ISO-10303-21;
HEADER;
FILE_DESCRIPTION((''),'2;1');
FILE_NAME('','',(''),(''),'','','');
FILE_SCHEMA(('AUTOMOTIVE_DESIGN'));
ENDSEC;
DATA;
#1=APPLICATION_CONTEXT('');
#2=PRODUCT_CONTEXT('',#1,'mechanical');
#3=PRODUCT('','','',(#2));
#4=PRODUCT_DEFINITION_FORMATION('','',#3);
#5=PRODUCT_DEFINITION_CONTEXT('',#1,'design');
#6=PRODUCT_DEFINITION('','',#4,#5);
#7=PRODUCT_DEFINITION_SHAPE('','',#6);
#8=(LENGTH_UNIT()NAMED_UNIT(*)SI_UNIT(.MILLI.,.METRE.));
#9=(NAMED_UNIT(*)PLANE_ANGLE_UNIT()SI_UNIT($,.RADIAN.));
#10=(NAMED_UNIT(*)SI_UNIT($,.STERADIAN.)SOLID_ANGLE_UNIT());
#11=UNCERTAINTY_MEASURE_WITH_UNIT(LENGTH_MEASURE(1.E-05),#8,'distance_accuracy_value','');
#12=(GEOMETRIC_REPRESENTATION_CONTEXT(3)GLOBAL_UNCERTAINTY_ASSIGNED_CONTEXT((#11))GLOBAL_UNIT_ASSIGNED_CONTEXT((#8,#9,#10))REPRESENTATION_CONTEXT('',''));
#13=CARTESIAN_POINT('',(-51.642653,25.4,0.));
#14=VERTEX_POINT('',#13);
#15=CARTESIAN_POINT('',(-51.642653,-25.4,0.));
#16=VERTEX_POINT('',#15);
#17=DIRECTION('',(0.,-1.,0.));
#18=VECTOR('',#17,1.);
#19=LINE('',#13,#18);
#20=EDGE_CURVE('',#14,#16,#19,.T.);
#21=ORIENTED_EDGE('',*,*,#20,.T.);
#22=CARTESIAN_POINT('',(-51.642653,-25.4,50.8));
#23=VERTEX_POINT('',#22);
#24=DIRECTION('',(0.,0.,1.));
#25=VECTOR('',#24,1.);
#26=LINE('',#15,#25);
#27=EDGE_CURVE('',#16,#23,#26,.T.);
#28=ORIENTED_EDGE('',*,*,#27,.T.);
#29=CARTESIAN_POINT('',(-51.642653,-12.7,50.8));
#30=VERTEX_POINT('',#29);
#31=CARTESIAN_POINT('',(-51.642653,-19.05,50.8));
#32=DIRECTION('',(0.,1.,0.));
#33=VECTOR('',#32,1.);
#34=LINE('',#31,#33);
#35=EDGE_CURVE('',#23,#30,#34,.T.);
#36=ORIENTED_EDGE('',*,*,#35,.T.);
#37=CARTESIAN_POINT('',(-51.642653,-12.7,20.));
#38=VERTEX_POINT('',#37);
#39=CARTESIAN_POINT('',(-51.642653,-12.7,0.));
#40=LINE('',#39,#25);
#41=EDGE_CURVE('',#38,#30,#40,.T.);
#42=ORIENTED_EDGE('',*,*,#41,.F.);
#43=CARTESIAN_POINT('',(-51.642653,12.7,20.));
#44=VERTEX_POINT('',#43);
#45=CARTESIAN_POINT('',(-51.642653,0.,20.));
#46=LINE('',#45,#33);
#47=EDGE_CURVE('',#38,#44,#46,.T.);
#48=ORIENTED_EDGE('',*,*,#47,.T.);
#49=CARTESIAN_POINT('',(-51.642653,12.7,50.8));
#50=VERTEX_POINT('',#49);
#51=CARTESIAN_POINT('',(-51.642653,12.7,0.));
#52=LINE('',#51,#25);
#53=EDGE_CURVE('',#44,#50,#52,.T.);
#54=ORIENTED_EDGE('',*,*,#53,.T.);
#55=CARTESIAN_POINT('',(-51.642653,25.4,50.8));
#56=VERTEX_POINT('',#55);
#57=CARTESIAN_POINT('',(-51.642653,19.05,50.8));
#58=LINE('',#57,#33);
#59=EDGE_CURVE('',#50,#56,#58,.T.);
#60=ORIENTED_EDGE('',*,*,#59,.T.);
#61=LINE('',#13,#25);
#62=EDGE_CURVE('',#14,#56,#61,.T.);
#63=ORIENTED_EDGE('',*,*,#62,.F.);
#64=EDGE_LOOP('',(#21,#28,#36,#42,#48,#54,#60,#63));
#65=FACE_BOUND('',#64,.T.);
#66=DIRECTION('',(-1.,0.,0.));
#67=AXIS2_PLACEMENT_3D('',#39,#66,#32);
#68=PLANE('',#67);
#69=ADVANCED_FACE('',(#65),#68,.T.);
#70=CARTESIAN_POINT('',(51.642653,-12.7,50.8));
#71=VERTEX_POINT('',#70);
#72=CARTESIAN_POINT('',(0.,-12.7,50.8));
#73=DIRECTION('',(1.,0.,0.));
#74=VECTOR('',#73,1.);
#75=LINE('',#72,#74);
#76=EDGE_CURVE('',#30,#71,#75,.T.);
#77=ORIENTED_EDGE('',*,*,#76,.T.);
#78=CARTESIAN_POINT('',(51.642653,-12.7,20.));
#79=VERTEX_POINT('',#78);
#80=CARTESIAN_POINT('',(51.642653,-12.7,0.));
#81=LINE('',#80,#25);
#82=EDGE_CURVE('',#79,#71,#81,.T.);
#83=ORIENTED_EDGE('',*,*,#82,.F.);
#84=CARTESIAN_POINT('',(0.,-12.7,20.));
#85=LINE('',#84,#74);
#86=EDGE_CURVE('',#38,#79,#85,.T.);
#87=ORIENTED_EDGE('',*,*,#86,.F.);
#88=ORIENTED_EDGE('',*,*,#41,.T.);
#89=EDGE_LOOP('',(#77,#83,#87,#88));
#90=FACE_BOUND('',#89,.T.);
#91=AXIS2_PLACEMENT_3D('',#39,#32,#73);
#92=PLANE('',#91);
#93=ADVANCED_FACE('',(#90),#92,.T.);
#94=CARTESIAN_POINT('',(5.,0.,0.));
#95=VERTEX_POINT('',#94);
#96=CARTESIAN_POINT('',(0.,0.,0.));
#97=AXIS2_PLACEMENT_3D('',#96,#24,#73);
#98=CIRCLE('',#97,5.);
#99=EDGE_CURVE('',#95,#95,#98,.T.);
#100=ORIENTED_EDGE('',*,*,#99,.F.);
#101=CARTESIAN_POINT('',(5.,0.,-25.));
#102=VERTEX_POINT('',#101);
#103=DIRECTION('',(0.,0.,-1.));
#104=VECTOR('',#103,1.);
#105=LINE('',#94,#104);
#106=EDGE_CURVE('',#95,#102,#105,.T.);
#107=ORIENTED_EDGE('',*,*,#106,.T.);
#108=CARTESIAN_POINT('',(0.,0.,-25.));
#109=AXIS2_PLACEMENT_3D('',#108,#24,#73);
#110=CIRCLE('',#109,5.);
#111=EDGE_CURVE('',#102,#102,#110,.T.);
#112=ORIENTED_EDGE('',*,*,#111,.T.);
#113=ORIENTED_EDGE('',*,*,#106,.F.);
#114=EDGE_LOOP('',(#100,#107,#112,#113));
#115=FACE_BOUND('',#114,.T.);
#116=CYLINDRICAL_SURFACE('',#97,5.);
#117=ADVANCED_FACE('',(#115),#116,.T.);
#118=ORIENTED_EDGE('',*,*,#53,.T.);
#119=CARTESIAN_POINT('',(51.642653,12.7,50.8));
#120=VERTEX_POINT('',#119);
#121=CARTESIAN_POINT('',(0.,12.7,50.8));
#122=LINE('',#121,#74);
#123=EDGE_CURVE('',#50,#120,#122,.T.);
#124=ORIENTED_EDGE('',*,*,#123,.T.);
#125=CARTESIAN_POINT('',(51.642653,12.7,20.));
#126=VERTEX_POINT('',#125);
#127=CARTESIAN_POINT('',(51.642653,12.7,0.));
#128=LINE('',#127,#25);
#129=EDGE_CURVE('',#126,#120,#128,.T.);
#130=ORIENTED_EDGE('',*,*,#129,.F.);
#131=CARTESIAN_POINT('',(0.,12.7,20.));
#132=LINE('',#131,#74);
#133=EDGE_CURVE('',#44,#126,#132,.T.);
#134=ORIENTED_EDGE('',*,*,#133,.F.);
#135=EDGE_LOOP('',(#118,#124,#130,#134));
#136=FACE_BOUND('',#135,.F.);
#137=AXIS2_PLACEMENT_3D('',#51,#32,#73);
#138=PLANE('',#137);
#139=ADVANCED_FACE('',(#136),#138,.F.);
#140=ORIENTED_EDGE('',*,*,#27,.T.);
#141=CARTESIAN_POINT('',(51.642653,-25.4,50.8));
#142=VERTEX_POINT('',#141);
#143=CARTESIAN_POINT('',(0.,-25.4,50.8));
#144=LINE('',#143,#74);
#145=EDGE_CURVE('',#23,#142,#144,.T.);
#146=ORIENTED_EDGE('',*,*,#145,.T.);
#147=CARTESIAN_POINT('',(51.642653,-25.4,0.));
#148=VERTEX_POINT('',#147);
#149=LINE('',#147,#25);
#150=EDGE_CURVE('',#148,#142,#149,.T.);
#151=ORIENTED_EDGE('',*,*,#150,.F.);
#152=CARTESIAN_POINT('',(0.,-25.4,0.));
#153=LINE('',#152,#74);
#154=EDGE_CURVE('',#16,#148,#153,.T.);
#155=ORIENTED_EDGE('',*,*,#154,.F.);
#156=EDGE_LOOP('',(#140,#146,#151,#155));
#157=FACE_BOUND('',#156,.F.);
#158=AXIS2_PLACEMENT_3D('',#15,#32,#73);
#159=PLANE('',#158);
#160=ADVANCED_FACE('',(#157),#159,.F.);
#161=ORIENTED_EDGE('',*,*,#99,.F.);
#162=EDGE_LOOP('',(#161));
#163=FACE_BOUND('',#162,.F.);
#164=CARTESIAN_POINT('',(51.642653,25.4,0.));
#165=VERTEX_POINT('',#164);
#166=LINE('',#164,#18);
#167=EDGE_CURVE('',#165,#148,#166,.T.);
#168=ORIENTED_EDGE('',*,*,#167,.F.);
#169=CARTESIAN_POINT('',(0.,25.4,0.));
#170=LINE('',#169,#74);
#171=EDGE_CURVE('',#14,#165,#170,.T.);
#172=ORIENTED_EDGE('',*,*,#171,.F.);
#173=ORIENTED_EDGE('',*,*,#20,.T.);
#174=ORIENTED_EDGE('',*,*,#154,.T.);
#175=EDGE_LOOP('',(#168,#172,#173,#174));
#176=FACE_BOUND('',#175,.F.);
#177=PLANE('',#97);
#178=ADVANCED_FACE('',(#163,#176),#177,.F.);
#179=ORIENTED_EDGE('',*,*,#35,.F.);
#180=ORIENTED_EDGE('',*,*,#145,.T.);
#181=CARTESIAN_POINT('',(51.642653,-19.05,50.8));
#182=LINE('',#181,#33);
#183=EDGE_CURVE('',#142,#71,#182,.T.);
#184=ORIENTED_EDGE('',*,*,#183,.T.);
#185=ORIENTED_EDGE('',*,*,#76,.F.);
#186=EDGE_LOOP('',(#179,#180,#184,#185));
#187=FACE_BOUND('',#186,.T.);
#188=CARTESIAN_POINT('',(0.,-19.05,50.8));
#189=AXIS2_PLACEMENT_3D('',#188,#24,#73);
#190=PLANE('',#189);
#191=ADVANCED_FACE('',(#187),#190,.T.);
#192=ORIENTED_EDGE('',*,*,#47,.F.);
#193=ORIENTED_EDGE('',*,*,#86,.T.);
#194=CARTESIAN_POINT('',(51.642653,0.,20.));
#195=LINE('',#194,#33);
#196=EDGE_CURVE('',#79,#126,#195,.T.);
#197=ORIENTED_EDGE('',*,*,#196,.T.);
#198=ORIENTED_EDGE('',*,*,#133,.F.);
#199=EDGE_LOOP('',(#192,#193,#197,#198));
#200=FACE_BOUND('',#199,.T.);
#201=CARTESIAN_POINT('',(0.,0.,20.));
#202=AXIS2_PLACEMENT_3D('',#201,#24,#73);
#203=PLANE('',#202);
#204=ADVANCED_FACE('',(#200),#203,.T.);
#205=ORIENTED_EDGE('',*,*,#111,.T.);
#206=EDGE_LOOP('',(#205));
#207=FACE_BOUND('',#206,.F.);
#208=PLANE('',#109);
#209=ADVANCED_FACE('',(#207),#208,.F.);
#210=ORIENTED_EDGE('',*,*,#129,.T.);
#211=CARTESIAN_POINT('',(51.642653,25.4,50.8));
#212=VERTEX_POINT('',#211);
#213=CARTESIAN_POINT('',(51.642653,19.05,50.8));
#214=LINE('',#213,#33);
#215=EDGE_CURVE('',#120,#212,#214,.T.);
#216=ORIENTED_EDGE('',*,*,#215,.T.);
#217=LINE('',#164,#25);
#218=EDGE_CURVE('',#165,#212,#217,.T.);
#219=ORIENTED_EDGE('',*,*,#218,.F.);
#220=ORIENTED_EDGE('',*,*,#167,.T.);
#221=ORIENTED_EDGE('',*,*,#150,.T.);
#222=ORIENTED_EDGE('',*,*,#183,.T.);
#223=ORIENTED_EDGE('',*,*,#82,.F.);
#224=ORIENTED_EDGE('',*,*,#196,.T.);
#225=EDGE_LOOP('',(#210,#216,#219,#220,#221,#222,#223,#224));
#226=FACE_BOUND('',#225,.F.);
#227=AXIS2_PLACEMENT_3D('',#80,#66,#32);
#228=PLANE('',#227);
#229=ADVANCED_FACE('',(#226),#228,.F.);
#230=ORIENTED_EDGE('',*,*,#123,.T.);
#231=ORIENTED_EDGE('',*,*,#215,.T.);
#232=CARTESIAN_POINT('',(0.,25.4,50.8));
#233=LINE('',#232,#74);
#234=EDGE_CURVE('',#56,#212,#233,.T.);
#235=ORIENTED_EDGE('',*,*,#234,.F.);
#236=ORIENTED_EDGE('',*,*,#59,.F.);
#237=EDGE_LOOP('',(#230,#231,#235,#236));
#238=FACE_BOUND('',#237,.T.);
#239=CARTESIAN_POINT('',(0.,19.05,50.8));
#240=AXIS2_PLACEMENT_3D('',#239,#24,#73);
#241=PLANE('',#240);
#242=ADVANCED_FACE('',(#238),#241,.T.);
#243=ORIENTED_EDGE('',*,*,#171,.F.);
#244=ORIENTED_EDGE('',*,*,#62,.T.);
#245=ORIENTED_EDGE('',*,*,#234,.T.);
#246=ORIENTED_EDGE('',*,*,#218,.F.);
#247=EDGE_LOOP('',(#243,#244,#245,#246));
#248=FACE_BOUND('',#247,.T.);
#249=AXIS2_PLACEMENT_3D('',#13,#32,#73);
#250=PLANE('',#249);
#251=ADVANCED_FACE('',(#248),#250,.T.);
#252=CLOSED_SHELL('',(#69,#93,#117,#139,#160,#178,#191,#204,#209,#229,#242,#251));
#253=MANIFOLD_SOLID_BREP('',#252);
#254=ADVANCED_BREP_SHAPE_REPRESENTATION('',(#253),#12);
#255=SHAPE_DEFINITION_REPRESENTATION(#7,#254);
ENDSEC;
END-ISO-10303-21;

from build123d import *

# Parameters (mm, degrees)
F0_W     = 103.285306
F0_H     = 12.7
F1_DEPTH = 50.8
F0_H_2   = 25.4
F2_DEPTH = 20
F3_R     = 5
F4_DEPTH = 25


with BuildPart() as f1:
    # F0 (on Top) → F1 (new body)
    with BuildSketch(Plane.XY):
        with Locations((0, 19.05)):
            Rectangle(F0_W, F0_H)
        with Locations((0, -19.05)):
            Rectangle(F0_W, F0_H)
    extrude(amount=F1_DEPTH)

    # F0 (on Top) → F2 (join)
    with BuildSketch(Plane.XY):
        Rectangle(F0_W, F0_H_2)
    extrude(amount=F2_DEPTH)

    # F3 (on face) → F4 (join)
    with BuildSketch(Plane.XY):
        Circle(F3_R)
    extrude(amount=-F4_DEPTH)


solid = f1.part
